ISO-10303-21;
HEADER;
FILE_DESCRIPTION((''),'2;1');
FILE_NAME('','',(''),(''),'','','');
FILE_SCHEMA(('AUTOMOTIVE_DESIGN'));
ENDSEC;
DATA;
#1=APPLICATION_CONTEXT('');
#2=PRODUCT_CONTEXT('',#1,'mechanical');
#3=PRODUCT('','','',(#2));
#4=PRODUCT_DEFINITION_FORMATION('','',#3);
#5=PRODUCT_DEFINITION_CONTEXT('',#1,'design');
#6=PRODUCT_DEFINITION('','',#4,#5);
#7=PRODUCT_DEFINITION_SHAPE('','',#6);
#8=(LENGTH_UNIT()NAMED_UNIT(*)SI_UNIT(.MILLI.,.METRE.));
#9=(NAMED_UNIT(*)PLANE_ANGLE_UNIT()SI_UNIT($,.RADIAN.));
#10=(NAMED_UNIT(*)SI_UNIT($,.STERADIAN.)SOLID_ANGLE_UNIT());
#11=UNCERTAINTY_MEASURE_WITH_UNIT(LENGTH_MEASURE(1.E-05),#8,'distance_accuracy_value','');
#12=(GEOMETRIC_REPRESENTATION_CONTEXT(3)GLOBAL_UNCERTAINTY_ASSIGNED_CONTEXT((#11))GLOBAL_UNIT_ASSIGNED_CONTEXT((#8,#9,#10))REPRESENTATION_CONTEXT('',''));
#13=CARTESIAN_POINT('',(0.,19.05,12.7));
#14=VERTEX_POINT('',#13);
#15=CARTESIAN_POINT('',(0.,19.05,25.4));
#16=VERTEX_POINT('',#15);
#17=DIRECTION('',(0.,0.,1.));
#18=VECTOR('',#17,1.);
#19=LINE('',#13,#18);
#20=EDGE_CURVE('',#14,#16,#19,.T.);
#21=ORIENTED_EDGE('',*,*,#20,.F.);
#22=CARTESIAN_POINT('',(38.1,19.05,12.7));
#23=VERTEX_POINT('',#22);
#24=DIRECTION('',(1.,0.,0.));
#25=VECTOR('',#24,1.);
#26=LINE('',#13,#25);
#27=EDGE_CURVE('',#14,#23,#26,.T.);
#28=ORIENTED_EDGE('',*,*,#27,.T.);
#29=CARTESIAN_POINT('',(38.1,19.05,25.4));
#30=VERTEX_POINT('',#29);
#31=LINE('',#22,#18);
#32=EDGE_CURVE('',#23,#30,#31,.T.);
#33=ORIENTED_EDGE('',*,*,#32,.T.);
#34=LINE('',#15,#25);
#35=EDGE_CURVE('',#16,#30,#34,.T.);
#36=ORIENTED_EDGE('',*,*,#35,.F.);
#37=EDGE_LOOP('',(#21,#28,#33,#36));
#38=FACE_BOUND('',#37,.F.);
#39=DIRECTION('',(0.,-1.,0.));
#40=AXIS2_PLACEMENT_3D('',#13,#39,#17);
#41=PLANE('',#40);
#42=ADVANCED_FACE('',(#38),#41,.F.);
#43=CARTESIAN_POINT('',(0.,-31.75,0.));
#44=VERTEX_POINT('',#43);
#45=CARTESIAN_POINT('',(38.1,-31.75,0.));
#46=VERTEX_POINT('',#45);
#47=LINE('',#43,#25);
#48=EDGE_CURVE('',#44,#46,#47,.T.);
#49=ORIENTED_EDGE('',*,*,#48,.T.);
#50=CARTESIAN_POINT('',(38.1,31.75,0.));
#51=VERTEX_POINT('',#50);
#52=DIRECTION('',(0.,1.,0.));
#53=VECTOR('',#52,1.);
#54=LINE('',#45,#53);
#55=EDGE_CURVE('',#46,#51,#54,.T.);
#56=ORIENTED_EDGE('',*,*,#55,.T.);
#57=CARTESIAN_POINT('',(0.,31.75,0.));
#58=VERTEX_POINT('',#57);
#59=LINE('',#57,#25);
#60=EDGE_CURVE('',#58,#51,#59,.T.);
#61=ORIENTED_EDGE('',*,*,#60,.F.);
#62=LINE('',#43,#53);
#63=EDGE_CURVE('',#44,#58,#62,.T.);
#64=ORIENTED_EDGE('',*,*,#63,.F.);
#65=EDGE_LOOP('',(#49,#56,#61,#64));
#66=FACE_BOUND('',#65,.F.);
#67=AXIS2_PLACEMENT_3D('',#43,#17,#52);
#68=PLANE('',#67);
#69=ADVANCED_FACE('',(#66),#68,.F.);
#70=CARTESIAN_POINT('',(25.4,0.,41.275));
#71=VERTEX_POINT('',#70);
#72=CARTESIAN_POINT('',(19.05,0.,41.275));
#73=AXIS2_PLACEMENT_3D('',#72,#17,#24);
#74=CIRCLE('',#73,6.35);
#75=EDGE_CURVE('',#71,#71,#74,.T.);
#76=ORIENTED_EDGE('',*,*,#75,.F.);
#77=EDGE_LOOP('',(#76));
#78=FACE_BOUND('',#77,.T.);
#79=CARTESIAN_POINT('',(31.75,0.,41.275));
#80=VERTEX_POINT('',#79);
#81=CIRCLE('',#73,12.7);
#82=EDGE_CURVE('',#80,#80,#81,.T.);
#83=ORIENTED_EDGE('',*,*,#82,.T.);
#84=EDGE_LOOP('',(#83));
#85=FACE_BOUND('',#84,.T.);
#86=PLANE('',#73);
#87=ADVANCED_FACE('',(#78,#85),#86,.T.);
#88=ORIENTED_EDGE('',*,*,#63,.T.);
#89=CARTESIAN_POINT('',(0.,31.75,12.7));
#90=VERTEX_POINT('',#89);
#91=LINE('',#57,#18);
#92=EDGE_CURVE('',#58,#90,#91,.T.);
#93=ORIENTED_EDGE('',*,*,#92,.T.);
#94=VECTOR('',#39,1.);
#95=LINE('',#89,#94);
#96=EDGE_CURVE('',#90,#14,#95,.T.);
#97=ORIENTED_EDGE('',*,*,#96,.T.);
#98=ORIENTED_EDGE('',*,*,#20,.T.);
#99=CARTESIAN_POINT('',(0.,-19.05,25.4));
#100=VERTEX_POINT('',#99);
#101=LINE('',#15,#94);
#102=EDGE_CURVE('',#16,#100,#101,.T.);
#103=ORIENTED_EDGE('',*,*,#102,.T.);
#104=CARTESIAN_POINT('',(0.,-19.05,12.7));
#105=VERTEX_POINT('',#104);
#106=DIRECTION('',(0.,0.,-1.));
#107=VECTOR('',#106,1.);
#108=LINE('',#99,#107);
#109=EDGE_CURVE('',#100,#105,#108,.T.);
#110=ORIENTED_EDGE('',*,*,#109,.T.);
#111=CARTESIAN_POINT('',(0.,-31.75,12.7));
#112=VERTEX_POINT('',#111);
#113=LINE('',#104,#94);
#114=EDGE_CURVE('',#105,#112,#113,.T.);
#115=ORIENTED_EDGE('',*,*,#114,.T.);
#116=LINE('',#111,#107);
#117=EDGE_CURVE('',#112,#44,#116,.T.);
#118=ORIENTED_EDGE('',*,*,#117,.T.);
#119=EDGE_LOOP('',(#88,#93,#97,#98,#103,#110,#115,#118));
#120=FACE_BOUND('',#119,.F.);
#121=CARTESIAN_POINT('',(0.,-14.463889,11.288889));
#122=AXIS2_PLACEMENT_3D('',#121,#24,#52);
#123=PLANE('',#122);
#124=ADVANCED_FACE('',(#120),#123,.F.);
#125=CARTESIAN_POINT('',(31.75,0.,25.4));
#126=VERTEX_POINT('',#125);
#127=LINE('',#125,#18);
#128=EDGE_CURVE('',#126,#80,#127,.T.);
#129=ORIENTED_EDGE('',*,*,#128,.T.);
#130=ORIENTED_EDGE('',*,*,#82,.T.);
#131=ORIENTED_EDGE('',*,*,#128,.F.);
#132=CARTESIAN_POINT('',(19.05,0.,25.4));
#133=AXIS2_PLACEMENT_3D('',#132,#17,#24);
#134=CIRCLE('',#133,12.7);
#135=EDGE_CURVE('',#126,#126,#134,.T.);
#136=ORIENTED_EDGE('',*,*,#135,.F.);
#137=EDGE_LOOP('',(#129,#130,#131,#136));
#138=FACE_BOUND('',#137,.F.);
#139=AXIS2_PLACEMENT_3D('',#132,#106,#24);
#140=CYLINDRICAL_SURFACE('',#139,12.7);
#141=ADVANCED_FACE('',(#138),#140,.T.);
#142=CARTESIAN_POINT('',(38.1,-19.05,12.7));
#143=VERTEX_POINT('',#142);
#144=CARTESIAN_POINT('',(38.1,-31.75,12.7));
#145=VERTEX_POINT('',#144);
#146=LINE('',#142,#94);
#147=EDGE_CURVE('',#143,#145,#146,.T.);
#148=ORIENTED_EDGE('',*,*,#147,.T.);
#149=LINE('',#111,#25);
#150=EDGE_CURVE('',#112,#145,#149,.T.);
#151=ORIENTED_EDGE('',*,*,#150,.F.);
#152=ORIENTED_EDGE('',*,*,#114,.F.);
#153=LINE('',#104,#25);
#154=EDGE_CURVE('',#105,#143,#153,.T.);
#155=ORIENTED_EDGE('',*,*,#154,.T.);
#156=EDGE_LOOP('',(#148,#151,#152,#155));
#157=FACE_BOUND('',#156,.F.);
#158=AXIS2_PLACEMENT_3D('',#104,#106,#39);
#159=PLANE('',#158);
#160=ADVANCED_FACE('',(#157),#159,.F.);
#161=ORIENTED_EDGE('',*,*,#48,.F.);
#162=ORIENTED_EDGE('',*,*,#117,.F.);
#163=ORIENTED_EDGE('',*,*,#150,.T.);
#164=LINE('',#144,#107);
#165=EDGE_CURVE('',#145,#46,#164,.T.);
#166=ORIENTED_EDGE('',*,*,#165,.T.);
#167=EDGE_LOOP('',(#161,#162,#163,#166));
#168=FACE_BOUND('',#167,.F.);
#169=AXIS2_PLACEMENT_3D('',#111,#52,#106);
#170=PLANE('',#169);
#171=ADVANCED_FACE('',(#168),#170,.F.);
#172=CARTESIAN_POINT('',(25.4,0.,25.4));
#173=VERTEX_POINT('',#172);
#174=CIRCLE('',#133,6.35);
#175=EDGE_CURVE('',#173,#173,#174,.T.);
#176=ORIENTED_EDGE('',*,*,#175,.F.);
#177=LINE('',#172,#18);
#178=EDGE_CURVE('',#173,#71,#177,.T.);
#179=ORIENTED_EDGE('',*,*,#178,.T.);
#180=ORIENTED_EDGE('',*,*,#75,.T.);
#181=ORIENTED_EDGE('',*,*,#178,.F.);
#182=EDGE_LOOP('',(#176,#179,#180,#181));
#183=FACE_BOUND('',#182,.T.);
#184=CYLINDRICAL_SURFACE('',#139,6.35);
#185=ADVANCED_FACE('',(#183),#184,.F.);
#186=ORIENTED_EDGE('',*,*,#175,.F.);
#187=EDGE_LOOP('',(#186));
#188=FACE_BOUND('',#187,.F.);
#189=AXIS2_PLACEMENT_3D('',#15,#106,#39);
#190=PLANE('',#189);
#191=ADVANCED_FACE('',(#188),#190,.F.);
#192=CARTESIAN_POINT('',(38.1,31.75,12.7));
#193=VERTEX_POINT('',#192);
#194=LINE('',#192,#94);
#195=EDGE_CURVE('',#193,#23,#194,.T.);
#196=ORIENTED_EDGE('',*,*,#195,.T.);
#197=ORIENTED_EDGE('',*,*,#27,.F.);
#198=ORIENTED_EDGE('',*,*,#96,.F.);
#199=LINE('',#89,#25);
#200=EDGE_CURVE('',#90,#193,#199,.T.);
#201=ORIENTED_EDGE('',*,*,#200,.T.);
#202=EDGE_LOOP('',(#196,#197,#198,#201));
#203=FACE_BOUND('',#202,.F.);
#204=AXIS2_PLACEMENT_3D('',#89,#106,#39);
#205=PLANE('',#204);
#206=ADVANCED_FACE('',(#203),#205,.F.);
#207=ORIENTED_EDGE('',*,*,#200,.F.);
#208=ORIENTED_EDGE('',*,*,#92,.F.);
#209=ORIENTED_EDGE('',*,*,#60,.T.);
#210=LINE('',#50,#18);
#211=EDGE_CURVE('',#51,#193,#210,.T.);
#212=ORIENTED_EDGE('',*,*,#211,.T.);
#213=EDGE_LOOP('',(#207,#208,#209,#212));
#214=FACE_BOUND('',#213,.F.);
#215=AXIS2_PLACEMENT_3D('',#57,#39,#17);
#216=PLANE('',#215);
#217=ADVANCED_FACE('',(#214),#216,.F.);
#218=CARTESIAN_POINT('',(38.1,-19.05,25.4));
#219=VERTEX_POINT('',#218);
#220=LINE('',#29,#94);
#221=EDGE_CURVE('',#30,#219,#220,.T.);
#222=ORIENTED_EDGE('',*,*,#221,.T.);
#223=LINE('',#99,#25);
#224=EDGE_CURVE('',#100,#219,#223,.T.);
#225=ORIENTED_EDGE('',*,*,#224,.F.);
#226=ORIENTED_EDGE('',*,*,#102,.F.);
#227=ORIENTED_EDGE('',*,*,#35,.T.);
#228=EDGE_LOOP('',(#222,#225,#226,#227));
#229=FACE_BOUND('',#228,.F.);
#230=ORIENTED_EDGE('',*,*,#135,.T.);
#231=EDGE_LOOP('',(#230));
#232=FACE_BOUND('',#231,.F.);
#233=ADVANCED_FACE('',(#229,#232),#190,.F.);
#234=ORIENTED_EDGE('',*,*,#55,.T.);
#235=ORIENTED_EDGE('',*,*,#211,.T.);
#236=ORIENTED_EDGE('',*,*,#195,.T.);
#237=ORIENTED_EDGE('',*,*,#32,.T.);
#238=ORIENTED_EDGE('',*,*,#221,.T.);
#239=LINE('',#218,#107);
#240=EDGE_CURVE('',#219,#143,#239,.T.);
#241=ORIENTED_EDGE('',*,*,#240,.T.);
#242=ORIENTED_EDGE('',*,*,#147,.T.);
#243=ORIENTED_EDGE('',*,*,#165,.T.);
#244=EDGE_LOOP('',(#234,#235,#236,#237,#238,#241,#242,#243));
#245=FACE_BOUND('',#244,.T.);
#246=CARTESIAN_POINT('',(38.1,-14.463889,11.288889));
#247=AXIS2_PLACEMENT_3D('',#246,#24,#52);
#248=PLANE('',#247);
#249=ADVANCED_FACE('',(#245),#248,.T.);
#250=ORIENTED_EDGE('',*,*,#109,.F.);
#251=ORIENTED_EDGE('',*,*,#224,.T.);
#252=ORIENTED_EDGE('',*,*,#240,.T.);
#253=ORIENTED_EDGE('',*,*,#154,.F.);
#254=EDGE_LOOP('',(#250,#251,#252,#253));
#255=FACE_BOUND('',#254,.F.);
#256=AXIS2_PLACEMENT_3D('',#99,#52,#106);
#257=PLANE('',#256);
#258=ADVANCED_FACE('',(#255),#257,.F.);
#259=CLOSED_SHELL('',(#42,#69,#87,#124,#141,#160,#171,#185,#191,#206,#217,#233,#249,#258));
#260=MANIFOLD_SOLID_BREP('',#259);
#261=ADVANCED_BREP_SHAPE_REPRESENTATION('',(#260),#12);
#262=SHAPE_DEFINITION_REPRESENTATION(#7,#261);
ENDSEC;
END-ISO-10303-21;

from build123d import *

# Parameters (mm, degrees)
F1_DEPTH = 38.1
F2_R     = 12.7
F2_R_2   = 6.35
F3_DEPTH = 15.875


with BuildPart() as f1:
    # F0 (on Right) → F1 (new body)
    with BuildSketch(Plane.YZ):
        Polygon((-31.75, 0), (0, 0), (0, 25.4), (-19.05, 25.4), (-19.05, 12.7), (-31.75, 12.7), align=None)
        Polygon((0, 25.4), (0, 0), (31.75, 0), (31.75, 12.7), (19.05, 12.7), (19.05, 25.4), align=None)
    extrude(amount=F1_DEPTH)

    # F2 (on face) → F3 (join)
    with BuildSketch(Plane.XY.offset(25.4)):
        with Locations((19.05, 0)):
            Circle(F2_R)
        with Locations((19.05, 0)):
            Circle(F2_R_2, mode=Mode.SUBTRACT)
    extrude(amount=F3_DEPTH)


solid = f1.part
